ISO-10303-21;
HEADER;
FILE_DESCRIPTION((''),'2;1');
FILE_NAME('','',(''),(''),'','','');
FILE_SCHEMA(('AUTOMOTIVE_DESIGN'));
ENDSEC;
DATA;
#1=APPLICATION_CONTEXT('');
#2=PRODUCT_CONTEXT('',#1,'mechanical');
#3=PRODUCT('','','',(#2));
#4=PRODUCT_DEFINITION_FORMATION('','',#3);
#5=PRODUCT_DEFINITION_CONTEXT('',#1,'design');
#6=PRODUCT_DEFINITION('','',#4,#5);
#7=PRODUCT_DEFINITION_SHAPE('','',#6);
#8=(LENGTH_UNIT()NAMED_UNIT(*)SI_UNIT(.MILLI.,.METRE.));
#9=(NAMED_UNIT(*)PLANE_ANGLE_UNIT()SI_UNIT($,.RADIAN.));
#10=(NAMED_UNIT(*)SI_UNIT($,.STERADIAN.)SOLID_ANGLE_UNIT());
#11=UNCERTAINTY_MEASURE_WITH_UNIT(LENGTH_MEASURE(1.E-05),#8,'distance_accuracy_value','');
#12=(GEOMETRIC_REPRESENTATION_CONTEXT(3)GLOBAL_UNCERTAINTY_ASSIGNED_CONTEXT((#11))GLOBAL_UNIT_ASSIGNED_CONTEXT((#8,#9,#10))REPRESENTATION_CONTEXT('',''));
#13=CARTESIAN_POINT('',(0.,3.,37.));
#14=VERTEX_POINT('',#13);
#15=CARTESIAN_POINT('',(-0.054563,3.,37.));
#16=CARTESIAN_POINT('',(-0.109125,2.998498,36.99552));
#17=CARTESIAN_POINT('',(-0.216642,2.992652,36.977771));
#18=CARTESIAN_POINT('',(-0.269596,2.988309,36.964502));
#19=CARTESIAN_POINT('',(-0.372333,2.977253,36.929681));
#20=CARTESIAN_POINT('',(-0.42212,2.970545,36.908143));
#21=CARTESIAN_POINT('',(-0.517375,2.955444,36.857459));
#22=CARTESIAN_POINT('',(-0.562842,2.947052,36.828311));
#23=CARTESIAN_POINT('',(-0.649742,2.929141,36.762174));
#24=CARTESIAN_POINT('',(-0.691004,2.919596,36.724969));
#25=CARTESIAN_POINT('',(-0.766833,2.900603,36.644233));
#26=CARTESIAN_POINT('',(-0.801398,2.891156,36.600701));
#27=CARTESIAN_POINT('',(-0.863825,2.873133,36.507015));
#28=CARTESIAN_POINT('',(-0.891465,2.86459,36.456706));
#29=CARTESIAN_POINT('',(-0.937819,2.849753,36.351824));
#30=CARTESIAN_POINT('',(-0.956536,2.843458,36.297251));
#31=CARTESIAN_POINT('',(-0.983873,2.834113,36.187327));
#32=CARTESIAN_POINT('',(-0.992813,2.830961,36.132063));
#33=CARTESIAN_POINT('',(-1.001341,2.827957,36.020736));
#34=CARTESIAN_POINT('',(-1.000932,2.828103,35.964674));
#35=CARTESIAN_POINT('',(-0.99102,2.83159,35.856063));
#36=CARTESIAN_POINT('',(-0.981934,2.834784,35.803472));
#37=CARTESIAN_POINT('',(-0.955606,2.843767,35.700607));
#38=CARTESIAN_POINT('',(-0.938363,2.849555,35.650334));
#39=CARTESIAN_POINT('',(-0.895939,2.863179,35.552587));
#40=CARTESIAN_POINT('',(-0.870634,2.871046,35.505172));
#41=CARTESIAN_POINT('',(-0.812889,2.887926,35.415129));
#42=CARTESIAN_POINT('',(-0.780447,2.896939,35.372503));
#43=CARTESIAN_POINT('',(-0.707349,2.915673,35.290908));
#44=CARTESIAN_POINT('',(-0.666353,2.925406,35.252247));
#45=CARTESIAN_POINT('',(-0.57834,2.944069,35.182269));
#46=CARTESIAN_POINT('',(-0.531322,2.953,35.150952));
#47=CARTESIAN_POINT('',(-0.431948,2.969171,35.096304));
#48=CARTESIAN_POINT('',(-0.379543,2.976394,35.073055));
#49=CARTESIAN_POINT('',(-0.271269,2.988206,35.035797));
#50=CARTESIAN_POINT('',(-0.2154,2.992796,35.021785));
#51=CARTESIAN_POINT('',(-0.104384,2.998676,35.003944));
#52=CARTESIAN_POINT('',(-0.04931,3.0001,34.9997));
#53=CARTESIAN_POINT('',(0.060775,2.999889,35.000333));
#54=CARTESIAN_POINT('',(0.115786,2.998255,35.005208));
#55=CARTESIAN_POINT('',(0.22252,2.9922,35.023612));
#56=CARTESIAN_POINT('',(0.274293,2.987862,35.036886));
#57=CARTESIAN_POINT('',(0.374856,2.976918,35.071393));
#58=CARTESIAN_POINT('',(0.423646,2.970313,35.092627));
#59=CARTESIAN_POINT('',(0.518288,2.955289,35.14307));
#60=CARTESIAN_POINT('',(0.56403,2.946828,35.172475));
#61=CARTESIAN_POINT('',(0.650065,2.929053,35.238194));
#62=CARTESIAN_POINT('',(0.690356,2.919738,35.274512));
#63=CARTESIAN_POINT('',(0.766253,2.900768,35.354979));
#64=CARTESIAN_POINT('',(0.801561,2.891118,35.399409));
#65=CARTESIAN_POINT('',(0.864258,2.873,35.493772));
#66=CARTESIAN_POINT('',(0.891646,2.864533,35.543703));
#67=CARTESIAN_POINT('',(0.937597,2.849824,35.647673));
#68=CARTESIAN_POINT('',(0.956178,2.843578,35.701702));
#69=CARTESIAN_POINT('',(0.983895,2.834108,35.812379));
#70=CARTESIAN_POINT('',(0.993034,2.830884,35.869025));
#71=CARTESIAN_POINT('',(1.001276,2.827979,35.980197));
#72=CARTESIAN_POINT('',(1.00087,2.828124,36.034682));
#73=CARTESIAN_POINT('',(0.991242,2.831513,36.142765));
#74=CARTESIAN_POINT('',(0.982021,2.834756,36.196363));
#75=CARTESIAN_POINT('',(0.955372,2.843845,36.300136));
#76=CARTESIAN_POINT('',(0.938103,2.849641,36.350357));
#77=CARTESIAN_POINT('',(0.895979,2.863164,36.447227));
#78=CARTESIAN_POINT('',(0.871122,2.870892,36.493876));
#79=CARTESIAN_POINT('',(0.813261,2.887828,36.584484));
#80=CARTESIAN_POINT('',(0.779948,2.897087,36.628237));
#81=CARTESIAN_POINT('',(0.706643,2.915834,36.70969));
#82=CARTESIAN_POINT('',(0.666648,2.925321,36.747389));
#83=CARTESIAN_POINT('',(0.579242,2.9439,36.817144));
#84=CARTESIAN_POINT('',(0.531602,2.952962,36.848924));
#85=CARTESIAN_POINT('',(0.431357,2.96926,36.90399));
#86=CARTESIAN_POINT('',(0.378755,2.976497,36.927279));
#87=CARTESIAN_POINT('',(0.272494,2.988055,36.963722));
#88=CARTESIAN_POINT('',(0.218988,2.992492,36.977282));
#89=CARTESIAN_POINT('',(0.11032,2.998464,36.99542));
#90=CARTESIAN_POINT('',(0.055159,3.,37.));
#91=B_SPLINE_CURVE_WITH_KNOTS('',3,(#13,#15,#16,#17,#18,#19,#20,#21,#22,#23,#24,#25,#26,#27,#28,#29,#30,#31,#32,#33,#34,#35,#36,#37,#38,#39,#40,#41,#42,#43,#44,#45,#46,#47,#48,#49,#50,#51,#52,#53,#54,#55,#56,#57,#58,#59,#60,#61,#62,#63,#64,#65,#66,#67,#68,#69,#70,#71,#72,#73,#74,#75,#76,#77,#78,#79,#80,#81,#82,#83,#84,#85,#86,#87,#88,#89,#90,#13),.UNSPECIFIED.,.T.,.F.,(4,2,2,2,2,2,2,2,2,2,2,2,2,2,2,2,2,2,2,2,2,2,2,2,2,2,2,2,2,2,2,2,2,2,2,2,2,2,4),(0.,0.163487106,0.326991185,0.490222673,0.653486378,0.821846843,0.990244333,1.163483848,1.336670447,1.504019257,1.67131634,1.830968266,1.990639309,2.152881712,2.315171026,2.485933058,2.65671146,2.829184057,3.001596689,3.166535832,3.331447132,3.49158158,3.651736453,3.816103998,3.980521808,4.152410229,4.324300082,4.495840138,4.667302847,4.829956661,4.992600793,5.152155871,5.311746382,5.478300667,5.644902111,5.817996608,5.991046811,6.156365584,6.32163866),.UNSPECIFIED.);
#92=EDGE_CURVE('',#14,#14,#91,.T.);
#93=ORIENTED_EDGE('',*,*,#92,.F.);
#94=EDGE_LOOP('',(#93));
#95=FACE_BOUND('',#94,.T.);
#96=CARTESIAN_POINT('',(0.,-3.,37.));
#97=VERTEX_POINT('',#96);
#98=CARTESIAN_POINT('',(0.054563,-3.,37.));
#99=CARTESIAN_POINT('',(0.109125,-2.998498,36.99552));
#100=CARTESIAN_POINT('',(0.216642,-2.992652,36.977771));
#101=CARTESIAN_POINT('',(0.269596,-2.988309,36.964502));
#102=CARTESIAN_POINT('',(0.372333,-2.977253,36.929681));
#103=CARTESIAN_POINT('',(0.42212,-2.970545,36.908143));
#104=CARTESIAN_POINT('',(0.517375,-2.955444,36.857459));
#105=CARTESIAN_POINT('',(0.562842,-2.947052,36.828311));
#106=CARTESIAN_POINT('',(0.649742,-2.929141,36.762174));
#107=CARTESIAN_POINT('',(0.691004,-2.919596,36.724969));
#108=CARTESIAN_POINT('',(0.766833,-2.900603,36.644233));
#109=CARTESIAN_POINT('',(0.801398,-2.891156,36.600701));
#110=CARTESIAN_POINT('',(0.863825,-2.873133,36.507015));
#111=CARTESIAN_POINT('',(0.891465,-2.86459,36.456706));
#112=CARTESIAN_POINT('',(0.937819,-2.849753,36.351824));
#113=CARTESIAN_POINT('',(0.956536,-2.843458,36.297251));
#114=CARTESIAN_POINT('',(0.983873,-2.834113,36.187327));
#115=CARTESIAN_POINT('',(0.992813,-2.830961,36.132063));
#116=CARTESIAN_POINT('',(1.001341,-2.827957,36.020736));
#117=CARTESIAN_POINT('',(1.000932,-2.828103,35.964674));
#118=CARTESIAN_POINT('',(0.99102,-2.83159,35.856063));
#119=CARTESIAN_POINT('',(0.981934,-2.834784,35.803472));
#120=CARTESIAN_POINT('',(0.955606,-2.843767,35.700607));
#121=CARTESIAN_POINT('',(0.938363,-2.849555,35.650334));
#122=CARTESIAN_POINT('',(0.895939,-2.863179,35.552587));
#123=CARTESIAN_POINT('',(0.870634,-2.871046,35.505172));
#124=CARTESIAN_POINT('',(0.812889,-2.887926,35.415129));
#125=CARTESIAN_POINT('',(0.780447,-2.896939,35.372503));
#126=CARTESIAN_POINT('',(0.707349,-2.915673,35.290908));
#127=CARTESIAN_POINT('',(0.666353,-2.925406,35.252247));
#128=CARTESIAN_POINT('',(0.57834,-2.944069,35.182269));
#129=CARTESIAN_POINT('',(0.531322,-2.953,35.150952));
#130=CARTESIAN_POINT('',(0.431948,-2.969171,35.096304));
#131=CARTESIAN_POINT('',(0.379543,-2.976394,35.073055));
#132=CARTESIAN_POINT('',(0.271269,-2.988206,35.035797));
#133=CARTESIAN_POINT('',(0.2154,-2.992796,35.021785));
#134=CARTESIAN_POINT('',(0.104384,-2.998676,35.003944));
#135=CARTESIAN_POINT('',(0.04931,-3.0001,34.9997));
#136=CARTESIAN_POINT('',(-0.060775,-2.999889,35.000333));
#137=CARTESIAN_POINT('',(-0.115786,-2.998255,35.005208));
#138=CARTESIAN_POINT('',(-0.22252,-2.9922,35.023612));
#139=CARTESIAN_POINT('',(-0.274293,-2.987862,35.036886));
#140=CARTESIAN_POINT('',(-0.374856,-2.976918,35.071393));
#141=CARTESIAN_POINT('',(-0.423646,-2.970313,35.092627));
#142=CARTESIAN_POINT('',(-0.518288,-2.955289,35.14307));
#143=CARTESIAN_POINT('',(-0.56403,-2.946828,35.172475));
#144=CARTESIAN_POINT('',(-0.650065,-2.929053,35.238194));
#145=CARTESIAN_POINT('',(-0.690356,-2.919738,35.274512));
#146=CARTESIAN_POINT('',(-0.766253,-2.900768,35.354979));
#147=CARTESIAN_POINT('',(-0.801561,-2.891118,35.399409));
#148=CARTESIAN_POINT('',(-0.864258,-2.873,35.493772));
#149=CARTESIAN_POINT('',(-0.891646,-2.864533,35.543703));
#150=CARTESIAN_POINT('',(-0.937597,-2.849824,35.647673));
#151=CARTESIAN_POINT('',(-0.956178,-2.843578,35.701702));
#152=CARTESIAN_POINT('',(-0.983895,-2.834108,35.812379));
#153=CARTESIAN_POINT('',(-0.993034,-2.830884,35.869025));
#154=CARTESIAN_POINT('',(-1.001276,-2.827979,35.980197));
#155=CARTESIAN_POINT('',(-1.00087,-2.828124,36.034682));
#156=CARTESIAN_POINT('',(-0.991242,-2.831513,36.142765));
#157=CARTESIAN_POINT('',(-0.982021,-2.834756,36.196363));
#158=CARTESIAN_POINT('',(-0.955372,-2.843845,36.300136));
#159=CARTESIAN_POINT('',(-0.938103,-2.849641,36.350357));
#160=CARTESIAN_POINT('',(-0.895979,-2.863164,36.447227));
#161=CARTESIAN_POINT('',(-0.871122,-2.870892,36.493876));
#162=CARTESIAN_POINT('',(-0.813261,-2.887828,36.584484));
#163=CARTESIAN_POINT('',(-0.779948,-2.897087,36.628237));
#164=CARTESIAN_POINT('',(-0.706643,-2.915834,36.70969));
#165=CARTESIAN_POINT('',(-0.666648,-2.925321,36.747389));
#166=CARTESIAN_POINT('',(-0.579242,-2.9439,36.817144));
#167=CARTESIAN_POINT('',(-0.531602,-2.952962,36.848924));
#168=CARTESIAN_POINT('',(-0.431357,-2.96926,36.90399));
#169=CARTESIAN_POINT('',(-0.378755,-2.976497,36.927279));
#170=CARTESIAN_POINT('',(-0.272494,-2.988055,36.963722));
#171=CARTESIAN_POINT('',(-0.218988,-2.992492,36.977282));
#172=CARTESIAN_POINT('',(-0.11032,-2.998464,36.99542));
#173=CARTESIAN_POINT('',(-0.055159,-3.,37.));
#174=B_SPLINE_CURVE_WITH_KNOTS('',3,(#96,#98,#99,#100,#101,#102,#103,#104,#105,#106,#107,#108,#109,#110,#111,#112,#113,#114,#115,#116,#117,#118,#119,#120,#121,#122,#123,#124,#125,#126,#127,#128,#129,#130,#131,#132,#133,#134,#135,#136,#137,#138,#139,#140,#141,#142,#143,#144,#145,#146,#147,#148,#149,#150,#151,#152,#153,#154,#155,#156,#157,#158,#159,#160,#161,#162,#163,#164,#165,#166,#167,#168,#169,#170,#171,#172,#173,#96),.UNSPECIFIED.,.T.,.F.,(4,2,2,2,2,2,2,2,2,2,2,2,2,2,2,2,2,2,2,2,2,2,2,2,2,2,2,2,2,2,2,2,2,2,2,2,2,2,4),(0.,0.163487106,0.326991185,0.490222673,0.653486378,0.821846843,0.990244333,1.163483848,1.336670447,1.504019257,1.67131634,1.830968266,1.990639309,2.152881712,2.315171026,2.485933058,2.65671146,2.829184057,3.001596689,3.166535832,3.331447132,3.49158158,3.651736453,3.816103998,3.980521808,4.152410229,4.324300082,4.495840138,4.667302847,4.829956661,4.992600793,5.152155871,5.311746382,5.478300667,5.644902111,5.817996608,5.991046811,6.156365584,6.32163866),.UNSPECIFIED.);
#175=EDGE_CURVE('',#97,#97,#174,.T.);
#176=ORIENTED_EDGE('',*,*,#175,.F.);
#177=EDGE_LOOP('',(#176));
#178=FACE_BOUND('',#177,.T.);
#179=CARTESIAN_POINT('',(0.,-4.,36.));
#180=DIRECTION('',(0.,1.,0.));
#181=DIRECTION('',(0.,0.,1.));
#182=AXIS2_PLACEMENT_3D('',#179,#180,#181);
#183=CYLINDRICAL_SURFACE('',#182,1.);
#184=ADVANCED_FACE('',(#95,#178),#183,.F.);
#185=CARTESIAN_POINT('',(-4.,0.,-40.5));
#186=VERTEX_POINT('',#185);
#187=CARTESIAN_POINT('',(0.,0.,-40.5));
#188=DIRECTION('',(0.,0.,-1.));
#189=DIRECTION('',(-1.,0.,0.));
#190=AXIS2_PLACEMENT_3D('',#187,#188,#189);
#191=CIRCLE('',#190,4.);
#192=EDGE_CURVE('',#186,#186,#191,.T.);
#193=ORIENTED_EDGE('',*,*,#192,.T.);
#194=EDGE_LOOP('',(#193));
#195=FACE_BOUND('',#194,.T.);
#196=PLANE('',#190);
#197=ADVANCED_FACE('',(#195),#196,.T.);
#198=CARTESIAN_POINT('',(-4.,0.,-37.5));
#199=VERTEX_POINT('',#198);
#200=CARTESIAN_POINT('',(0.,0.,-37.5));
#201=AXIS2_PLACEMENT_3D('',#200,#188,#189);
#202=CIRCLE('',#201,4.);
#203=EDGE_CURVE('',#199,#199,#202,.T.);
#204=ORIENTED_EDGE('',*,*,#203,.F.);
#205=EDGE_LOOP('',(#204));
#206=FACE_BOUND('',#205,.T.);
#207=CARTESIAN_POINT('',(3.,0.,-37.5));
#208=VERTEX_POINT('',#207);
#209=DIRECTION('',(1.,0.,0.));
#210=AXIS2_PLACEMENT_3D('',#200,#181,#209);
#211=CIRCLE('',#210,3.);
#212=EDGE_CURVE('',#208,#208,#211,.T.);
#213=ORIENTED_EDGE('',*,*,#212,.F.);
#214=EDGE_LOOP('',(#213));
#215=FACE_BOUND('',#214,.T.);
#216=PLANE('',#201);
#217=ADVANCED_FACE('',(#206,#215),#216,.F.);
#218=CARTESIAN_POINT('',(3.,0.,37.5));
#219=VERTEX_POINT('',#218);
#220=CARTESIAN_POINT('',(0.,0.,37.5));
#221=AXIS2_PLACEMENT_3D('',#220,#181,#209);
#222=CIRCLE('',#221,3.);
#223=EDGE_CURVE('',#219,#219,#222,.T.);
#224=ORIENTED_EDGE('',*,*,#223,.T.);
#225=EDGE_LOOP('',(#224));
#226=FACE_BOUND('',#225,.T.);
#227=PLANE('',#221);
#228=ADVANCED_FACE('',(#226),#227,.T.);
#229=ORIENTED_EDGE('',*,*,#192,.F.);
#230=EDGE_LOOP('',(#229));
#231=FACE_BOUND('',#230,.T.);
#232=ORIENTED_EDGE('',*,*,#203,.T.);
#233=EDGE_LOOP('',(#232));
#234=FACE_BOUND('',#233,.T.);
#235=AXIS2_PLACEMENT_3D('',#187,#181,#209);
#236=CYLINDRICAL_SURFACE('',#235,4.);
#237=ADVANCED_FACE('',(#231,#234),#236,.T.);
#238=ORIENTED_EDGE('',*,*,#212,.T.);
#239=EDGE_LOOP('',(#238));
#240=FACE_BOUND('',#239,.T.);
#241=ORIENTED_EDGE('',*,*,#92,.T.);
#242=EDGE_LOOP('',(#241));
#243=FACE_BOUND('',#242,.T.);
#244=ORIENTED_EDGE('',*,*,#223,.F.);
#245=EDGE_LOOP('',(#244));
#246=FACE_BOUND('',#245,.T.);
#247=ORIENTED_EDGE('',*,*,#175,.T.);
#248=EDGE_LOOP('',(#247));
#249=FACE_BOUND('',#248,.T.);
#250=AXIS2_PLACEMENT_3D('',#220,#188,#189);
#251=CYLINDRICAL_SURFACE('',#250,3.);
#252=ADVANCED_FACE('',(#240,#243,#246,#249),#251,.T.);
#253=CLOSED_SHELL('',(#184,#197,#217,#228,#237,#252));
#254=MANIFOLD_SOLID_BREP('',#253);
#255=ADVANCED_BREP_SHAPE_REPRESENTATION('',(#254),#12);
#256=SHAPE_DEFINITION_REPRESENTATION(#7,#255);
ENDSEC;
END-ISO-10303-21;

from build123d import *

# Parameters (mm, degrees)
SKETCH1_R               = 3
BOSS_EXTRUDE1_DEPTH     = 37.5
SKETCH2_R               = 4
BOSS_EXTRUDE2_DEPTH     = 3
CUT_EXTRUDE1_DEPTH      = 41.893153461
CUT_EXTRUDE1_DEPTH_BACK = 41.893153461
SKETCH3_R               = 1


with BuildPart() as part:
    # Sketch1 → Boss-Extrude1 (new, symmetric)
    with BuildSketch(Plane.XY):
        Circle(SKETCH1_R)
    extrude(amount=BOSS_EXTRUDE1_DEPTH, both=True)

    # Sketch2 → Boss-Extrude2 (add)
    with BuildSketch(Plane(origin=(0, 0, -37.5), x_dir=(-1, 0, 0), z_dir=(0, 0, -1))):
        Circle(SKETCH2_R)
    extrude(amount=BOSS_EXTRUDE2_DEPTH)

    # Sketch3 → Cut-Extrude1 (cut, two sides: drawn at the far end of the back side and taken through both)
    with BuildSketch(Plane(origin=(0, 0, 0), x_dir=(1, 0, 0), z_dir=(0, 1, 0)).offset(-CUT_EXTRUDE1_DEPTH_BACK)):
        with Locations(Location((0, -36, 0), (0, 0, 270))):
            Circle(SKETCH3_R)
    extrude(amount=CUT_EXTRUDE1_DEPTH + CUT_EXTRUDE1_DEPTH_BACK, mode=Mode.SUBTRACT)


solid = part.part
